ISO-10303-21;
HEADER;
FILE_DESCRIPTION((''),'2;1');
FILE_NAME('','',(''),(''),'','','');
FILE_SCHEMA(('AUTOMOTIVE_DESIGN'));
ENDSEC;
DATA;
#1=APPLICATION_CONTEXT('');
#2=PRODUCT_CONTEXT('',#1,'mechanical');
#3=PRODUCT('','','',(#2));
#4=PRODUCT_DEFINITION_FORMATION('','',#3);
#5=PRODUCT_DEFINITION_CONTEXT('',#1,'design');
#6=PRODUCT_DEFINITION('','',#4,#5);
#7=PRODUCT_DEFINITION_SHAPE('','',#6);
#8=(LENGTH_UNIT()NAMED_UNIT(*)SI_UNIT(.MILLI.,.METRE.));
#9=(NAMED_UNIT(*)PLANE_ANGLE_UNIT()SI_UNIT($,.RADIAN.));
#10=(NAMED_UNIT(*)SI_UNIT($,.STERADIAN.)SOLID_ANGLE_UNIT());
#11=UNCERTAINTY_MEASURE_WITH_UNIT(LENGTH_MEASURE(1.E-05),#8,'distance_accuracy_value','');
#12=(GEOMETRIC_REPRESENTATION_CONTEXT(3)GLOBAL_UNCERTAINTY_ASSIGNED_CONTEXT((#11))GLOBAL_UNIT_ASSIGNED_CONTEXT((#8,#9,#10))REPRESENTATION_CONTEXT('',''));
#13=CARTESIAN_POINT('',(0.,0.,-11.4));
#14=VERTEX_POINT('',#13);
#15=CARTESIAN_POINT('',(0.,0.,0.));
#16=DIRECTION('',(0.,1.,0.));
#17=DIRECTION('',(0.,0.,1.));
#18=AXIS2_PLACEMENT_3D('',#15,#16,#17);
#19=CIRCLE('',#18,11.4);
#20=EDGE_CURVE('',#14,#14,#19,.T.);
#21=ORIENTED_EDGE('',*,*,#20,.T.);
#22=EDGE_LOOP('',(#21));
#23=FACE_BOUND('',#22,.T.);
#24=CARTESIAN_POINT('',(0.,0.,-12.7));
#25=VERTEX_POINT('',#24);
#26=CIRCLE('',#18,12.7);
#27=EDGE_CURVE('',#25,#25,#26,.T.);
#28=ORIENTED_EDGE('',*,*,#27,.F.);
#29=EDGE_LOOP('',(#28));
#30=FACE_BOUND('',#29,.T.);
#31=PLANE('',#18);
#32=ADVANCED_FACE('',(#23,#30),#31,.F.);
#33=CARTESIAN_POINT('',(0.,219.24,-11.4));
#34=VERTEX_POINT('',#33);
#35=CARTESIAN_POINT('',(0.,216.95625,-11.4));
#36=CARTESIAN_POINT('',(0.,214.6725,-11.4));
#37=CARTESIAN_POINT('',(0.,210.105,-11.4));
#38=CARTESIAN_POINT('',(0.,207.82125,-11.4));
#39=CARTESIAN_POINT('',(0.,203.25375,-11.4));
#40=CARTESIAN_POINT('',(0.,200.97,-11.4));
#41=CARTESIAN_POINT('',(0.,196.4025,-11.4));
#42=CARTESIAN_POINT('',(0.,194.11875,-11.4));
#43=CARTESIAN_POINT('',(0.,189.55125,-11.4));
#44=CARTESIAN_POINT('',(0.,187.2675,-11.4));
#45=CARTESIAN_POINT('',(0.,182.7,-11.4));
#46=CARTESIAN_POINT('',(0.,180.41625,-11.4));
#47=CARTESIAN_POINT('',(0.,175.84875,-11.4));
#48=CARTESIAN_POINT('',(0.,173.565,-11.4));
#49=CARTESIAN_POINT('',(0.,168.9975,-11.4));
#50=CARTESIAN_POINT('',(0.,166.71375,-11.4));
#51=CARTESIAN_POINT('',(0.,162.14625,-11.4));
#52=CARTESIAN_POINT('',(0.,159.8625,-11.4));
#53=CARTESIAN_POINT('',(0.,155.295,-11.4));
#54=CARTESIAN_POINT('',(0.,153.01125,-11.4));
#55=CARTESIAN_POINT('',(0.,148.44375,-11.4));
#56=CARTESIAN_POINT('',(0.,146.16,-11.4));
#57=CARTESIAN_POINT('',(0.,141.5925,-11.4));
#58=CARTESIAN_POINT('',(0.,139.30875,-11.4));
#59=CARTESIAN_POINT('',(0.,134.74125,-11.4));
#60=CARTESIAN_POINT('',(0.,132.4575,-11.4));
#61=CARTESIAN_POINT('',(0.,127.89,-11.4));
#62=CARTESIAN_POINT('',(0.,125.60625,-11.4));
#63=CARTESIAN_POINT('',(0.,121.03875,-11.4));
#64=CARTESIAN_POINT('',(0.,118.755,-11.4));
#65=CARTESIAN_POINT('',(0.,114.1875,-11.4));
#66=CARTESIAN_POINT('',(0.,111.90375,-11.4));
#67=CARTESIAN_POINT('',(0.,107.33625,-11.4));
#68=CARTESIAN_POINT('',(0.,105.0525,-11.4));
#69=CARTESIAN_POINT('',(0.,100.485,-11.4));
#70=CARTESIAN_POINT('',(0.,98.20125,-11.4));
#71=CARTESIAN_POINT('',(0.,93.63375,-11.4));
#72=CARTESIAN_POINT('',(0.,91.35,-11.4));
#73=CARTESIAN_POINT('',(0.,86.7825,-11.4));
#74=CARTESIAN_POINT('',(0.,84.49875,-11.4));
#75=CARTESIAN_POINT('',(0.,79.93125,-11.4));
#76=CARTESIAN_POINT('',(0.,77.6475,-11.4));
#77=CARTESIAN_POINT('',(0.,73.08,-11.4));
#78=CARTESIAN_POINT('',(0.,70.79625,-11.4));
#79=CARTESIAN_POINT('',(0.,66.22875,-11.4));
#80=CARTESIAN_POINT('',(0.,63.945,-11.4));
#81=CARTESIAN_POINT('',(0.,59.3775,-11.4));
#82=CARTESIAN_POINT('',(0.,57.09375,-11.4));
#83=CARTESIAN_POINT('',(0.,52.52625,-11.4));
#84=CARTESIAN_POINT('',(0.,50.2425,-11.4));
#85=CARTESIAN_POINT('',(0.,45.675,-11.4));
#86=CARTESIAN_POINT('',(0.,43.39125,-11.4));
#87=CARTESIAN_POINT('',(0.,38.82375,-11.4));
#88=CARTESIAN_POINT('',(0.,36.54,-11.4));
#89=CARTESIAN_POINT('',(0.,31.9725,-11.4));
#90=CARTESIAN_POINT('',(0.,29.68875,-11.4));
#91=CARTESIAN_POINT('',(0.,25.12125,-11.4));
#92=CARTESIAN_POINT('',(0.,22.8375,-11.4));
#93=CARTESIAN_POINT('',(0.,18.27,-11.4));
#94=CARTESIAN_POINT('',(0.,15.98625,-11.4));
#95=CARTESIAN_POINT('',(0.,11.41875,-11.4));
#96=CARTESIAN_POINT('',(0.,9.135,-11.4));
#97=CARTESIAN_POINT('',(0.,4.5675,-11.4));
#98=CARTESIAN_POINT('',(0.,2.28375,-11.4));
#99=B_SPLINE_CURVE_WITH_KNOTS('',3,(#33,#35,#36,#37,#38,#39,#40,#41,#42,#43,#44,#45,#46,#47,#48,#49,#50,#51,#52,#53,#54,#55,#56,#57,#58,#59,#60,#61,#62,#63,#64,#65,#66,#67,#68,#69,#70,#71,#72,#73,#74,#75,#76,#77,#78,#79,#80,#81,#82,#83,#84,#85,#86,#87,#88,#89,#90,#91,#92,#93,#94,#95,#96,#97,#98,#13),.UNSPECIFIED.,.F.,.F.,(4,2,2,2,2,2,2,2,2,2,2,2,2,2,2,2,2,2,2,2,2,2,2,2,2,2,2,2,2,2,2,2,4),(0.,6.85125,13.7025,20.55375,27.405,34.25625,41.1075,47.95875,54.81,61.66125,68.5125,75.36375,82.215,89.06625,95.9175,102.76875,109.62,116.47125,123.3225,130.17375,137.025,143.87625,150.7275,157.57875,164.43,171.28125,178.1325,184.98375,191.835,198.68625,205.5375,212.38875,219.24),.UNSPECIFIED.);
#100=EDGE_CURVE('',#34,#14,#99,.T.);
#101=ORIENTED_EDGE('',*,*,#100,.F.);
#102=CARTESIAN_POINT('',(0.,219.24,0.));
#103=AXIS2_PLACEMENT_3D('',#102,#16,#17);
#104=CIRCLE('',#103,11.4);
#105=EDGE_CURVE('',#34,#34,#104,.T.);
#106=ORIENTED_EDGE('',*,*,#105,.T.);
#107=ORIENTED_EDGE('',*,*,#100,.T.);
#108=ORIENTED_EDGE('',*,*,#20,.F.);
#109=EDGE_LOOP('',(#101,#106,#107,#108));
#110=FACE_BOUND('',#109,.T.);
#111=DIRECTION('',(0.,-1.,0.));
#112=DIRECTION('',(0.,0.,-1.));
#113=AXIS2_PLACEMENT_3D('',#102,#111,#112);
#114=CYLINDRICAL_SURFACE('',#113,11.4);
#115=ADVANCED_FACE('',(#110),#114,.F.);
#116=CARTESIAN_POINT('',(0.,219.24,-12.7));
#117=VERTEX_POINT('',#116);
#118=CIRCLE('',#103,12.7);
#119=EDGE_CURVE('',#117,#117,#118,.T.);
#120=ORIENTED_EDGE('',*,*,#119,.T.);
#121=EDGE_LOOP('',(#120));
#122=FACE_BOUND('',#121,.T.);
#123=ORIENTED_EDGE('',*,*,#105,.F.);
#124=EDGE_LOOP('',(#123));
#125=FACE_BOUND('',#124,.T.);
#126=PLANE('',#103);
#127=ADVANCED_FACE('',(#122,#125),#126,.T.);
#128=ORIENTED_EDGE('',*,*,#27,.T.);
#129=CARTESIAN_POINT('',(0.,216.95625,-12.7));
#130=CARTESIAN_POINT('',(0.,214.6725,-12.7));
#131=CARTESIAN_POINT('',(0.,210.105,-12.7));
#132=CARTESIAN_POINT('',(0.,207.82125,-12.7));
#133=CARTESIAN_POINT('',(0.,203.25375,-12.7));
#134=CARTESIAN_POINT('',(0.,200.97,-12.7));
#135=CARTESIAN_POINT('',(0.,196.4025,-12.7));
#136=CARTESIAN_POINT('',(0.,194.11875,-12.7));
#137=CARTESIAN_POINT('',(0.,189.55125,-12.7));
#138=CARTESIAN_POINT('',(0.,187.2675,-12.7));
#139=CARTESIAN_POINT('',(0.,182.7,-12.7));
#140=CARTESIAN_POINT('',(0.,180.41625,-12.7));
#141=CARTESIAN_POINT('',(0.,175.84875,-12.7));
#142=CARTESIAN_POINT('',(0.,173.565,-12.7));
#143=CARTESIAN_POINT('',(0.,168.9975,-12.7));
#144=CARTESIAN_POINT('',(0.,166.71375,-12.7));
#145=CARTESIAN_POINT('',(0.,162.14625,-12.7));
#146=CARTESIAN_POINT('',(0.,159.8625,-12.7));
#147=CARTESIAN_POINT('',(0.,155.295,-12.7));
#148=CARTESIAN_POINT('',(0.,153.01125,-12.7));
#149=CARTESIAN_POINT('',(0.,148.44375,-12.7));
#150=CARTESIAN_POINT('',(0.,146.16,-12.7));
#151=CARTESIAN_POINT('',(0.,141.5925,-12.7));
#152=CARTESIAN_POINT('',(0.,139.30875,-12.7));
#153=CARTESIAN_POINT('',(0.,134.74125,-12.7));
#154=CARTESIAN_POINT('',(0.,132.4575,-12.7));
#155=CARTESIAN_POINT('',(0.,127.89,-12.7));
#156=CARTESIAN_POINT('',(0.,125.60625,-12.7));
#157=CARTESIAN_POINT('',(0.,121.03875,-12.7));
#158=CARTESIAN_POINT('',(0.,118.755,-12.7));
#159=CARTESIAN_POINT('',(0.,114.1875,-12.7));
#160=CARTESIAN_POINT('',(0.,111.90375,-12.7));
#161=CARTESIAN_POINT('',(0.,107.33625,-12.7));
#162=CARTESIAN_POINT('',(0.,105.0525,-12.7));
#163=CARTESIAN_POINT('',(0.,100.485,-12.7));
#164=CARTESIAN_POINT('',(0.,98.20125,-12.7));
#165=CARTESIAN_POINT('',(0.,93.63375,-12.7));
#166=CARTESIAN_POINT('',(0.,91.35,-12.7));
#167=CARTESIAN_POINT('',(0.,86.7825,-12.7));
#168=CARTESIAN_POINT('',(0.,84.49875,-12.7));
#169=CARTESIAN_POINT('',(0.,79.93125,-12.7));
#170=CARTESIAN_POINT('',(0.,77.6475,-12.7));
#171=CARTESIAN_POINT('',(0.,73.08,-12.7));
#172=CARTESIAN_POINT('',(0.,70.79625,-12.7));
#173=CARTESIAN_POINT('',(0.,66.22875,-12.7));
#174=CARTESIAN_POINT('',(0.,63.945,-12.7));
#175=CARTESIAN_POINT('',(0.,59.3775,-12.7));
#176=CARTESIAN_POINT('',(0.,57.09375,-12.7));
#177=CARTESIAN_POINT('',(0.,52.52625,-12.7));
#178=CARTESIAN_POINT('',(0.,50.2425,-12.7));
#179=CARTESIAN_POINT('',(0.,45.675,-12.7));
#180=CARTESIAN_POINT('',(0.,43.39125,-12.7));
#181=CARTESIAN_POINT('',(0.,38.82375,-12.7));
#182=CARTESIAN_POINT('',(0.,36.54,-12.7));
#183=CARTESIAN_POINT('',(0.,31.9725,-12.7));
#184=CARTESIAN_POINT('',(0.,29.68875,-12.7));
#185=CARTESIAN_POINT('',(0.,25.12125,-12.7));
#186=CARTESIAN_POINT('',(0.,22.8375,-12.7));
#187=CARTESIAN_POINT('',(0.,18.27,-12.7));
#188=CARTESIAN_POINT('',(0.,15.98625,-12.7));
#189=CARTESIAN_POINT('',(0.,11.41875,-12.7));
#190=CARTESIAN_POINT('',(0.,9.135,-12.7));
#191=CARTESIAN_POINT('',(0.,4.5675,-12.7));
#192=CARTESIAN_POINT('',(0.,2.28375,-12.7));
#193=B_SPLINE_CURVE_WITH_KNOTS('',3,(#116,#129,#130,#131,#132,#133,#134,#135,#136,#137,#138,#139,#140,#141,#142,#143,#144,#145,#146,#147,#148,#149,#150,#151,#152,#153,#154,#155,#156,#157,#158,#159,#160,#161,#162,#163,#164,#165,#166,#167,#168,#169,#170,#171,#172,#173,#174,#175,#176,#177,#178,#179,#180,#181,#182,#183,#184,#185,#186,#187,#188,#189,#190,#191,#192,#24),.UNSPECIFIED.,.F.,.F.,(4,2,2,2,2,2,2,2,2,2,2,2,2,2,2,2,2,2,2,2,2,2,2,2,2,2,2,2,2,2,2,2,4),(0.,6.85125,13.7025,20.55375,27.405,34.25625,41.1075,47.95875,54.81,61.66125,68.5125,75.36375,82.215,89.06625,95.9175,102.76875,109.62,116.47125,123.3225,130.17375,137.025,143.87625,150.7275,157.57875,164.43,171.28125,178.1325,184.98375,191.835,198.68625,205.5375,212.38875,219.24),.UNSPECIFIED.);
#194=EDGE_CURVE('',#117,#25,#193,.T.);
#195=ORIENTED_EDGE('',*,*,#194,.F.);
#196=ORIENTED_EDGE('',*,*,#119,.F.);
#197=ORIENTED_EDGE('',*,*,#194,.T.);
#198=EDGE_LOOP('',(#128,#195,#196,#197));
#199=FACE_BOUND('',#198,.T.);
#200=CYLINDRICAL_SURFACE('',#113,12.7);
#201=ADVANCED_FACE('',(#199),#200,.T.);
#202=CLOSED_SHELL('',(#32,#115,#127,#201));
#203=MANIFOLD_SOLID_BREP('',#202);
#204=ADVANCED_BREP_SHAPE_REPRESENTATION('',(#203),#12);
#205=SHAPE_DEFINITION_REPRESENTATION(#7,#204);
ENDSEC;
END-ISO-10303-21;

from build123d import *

# Parameters (mm, degrees)
SKETCH2_R   = 12.7
SKETCH2_R_2 = 11.4
TUBE_DEPTH  = 219.24


with BuildPart() as part:
    # Sketch2 → Tube (new body)
    with BuildSketch(Plane(origin=(0, 0, 0), x_dir=(1, 0, 0), z_dir=(0, 1, 0))):
        with Locations(Location((0, 0, 0), (0, 0, 90))):
            Circle(SKETCH2_R)
        with Locations(Location((0, 0, 0), (0, 0, 90))):
            Circle(SKETCH2_R_2, mode=Mode.SUBTRACT)
    extrude(amount=TUBE_DEPTH)


solid = part.part
